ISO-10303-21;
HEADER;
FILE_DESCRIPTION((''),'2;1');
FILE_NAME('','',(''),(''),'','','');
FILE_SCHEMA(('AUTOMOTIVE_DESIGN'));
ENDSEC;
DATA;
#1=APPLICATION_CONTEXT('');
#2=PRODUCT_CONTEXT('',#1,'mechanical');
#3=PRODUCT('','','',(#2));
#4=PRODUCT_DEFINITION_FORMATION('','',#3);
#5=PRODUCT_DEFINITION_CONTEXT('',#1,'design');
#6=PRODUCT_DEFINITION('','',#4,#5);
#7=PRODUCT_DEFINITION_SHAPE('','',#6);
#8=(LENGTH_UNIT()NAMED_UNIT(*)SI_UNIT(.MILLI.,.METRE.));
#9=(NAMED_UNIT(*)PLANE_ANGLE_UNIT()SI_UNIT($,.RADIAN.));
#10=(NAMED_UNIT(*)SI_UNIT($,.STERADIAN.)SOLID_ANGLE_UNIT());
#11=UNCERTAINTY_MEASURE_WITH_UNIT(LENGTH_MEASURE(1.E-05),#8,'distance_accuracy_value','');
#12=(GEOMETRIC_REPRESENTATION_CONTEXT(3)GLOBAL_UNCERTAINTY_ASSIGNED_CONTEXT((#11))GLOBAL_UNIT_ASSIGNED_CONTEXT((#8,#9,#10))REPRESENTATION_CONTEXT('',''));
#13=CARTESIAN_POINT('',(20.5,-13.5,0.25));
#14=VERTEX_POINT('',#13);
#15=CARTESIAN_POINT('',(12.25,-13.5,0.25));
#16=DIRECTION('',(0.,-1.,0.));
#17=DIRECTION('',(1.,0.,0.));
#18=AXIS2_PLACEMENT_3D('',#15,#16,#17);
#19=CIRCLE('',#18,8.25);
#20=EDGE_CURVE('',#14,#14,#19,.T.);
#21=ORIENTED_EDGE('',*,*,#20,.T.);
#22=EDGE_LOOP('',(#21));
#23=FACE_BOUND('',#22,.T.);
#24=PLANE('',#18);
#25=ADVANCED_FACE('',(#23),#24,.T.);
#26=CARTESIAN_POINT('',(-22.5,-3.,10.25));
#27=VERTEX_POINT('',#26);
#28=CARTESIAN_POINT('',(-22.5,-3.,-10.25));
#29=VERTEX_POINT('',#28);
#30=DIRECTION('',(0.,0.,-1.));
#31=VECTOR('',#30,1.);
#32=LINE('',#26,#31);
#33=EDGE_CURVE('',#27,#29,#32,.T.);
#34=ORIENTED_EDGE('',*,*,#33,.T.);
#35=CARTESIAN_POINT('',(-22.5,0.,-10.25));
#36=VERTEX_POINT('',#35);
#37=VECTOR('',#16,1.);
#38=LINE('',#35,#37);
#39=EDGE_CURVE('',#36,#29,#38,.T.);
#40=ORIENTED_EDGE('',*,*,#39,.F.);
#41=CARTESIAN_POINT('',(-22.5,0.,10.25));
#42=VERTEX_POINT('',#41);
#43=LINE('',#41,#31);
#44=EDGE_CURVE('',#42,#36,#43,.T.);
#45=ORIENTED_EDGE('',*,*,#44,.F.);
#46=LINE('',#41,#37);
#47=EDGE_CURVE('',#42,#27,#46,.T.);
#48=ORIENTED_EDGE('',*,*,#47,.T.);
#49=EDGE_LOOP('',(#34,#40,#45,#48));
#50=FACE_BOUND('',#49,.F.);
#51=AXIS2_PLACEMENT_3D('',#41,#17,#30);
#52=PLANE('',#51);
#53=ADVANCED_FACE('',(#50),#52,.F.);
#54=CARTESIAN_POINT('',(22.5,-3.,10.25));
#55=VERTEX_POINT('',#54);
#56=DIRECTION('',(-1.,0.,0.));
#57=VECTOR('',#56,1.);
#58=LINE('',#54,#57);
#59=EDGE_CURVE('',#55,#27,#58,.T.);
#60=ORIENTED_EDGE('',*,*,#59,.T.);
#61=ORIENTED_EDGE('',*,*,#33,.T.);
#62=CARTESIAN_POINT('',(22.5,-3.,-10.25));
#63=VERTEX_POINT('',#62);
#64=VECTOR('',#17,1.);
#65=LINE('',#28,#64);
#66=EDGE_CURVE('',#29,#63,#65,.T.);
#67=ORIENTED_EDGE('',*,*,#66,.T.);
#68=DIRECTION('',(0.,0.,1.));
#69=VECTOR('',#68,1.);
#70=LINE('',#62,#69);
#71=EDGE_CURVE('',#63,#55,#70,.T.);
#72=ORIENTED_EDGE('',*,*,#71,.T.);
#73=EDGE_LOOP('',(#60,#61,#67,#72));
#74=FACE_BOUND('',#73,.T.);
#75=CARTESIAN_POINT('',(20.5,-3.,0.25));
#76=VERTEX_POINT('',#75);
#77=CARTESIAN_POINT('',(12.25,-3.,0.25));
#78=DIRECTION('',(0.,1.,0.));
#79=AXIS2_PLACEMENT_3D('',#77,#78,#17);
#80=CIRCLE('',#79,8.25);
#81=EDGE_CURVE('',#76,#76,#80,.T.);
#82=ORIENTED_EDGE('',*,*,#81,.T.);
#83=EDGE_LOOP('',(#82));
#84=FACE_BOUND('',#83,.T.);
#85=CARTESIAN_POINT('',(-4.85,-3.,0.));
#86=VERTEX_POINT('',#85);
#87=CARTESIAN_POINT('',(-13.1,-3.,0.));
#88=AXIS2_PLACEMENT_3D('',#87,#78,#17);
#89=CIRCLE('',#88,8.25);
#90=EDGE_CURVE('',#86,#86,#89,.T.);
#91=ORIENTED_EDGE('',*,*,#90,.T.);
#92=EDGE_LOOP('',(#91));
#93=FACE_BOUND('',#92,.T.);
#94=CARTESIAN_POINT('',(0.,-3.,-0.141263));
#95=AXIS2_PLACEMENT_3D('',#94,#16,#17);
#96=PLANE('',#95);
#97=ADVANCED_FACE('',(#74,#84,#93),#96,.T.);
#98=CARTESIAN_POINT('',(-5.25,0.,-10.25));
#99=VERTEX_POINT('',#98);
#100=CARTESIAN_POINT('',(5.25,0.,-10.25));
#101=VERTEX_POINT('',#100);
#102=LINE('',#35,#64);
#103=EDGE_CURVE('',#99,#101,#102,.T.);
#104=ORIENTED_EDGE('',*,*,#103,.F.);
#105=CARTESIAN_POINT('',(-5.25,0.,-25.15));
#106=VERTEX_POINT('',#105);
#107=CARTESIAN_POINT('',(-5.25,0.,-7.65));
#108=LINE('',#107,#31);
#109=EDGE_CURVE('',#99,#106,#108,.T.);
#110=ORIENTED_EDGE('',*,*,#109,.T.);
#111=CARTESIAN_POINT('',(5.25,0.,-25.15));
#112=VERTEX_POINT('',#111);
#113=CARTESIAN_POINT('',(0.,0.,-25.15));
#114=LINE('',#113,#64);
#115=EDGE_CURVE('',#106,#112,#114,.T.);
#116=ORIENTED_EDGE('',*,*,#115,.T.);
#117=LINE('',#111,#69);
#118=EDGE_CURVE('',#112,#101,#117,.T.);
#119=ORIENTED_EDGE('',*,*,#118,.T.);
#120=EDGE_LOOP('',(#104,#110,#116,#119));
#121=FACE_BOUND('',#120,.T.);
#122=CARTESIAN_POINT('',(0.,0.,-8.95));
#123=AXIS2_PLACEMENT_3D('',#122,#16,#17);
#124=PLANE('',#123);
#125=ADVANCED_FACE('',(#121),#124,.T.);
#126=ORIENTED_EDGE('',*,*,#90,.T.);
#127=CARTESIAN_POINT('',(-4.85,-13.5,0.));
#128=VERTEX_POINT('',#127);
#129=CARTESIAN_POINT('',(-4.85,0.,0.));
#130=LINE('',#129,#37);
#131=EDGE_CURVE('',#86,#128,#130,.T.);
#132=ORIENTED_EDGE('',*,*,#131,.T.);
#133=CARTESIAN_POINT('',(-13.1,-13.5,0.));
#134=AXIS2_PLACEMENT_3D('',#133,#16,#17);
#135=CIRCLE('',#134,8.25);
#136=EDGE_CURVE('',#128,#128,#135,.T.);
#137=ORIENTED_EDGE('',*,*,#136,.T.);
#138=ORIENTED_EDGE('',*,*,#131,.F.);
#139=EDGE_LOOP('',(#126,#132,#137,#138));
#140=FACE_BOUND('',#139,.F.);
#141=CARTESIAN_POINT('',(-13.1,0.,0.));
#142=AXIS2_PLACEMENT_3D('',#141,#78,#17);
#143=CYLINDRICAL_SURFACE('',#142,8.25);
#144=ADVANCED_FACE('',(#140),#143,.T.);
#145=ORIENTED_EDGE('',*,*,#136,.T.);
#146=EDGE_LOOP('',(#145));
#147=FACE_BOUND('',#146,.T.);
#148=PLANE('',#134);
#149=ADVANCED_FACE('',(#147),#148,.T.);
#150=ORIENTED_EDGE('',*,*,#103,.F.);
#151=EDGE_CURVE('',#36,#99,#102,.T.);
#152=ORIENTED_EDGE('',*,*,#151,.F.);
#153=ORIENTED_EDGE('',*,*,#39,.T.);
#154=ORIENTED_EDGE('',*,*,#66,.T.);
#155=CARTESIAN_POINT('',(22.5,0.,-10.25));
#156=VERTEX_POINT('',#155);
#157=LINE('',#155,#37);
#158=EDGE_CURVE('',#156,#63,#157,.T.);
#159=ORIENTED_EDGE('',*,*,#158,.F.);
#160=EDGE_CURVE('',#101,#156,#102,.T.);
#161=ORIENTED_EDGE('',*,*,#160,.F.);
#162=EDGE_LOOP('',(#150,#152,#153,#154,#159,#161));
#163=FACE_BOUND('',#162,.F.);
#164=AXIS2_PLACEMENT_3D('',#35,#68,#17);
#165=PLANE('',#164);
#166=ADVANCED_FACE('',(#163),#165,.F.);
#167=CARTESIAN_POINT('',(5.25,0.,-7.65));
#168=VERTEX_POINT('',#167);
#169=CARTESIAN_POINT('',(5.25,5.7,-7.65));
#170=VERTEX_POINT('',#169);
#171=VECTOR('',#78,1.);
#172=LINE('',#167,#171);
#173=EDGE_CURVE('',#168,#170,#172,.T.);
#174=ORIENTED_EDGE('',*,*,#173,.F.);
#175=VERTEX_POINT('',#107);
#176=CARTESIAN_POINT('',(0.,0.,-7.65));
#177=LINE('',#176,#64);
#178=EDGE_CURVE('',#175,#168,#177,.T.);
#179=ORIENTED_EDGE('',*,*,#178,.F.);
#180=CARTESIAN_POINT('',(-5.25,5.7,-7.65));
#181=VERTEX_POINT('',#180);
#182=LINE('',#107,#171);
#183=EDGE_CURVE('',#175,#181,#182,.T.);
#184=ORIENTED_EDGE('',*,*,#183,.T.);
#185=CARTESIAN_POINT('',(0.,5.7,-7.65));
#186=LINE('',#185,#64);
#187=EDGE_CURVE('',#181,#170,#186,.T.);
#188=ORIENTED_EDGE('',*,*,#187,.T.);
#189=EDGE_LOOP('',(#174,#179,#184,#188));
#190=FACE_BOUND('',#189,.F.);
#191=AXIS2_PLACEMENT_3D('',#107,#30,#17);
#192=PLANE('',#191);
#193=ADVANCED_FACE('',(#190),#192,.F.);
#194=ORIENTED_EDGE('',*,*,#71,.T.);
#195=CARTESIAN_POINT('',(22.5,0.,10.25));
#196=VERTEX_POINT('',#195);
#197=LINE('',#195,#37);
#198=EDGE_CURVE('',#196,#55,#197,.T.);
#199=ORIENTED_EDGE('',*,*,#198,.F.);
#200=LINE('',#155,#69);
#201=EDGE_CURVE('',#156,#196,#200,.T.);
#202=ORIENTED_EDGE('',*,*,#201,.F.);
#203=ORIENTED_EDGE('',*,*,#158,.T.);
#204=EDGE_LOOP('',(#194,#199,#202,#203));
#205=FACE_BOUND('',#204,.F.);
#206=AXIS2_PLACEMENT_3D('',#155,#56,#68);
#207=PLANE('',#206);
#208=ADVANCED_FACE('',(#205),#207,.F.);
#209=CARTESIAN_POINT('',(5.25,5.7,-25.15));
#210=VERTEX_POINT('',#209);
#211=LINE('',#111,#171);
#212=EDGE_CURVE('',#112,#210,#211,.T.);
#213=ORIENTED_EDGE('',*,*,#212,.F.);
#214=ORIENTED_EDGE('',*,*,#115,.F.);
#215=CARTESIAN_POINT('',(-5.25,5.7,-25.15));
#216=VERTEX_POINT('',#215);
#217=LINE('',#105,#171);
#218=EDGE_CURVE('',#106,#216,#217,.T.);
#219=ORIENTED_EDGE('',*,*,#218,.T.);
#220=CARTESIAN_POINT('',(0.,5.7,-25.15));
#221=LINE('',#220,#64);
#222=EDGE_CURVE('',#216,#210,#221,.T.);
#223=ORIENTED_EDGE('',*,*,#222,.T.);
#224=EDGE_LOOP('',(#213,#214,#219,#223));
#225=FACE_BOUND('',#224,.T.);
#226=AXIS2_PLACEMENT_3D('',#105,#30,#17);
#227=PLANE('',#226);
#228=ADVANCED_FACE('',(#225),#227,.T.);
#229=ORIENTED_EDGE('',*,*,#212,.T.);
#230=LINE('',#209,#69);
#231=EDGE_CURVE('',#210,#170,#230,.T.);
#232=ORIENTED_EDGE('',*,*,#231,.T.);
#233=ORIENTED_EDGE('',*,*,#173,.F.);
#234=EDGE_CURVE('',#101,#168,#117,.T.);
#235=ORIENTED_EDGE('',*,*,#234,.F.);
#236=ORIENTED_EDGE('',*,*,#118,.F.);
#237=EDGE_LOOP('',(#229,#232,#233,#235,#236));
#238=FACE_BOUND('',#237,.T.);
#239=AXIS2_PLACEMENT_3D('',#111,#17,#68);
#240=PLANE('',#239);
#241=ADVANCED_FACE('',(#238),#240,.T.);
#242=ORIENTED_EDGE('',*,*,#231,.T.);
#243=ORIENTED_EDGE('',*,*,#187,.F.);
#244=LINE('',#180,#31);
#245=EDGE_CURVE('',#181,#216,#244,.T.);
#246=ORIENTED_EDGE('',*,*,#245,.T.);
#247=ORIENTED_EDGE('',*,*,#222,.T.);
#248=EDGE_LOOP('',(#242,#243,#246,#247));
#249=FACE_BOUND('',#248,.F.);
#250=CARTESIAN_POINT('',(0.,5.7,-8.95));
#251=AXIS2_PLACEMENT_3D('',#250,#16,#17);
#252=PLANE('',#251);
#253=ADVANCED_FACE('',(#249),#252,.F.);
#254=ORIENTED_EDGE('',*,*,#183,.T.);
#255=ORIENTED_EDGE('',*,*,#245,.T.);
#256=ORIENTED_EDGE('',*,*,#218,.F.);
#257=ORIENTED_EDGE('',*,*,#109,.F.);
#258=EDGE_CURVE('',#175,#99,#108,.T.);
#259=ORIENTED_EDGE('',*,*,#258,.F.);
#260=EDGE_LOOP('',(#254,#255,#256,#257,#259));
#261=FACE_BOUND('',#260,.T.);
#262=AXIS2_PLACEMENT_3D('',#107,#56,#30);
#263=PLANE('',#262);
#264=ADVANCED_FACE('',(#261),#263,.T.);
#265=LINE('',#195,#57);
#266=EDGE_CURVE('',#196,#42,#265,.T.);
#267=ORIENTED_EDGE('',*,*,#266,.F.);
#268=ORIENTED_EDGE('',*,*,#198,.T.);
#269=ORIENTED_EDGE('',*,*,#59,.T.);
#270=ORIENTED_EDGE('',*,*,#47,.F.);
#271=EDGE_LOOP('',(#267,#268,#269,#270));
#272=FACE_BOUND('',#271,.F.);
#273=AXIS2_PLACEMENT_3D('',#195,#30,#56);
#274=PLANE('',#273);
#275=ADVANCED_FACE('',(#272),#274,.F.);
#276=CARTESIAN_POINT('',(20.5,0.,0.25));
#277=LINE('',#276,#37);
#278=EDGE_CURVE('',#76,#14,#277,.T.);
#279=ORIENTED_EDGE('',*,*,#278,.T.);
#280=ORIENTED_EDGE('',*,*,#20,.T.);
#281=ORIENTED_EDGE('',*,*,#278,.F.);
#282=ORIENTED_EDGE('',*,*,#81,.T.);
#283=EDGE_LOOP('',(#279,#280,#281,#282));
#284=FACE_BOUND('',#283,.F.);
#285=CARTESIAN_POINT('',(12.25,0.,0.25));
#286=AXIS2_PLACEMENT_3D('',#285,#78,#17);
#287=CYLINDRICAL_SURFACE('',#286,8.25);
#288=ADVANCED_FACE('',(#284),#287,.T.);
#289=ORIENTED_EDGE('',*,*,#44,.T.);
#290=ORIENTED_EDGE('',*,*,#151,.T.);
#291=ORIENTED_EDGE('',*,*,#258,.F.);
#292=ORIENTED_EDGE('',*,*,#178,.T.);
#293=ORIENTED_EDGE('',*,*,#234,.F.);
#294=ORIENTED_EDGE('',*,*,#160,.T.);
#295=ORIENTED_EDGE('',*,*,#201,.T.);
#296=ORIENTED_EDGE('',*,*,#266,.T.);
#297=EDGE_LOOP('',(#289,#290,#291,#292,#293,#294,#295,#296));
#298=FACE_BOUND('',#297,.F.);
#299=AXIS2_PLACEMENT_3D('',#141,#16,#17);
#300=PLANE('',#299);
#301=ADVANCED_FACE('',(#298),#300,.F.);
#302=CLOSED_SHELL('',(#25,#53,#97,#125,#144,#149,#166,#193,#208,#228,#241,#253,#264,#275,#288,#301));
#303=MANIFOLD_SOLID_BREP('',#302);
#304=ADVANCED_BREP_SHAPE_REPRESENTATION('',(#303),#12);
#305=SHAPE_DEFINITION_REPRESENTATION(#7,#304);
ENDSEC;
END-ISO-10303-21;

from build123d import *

# Parameters (mm, degrees)
F0_R     = 8.25
F0_W     = 10.5
F0_H     = 2.6
F1_DEPTH = 3
F0_H_2   = 14.9
F2_DEPTH = 5.7
F3_DEPTH = 13.5


with BuildPart() as f1:
    # F0 (on Front) → F1 (new body)
    with BuildSketch(Plane.XZ):
        Polygon((22.5, -10.25), (22.5, 10.25), (-22.5, 10.25), (-22.5, -10.25), (-5.25, -10.25), (-5.25, -7.65), (5.25, -7.65), (5.25, -10.25), align=None)
        with Locations((-13.1, 0)):
            Circle(F0_R, mode=Mode.SUBTRACT)
        with Locations((12.25, 0.25)):
            Circle(F0_R, mode=Mode.SUBTRACT)
        with Locations((0, -8.95)):
            Rectangle(F0_W, F0_H)
        with Locations((-13.1, 0)):
            Circle(F0_R)
        with Locations((12.25, 0.25)):
            Circle(F0_R)
    extrude(amount=F1_DEPTH)

    # F0 (on Front) → F2 (join)
    with BuildSketch(Plane.XZ):
        with Locations((0, -8.95)):
            Rectangle(F0_W, F0_H)
        with Locations((0, -17.7)):
            Rectangle(F0_W, F0_H_2)
    extrude(amount=-F2_DEPTH)

    # F0 (on Front) → F3 (join)
    with BuildSketch(Plane.XZ):
        with Locations((-13.1, 0)):
            Circle(F0_R)
        with Locations((12.25, 0.25)):
            Circle(F0_R)
    extrude(amount=F3_DEPTH)


solid = f1.part
